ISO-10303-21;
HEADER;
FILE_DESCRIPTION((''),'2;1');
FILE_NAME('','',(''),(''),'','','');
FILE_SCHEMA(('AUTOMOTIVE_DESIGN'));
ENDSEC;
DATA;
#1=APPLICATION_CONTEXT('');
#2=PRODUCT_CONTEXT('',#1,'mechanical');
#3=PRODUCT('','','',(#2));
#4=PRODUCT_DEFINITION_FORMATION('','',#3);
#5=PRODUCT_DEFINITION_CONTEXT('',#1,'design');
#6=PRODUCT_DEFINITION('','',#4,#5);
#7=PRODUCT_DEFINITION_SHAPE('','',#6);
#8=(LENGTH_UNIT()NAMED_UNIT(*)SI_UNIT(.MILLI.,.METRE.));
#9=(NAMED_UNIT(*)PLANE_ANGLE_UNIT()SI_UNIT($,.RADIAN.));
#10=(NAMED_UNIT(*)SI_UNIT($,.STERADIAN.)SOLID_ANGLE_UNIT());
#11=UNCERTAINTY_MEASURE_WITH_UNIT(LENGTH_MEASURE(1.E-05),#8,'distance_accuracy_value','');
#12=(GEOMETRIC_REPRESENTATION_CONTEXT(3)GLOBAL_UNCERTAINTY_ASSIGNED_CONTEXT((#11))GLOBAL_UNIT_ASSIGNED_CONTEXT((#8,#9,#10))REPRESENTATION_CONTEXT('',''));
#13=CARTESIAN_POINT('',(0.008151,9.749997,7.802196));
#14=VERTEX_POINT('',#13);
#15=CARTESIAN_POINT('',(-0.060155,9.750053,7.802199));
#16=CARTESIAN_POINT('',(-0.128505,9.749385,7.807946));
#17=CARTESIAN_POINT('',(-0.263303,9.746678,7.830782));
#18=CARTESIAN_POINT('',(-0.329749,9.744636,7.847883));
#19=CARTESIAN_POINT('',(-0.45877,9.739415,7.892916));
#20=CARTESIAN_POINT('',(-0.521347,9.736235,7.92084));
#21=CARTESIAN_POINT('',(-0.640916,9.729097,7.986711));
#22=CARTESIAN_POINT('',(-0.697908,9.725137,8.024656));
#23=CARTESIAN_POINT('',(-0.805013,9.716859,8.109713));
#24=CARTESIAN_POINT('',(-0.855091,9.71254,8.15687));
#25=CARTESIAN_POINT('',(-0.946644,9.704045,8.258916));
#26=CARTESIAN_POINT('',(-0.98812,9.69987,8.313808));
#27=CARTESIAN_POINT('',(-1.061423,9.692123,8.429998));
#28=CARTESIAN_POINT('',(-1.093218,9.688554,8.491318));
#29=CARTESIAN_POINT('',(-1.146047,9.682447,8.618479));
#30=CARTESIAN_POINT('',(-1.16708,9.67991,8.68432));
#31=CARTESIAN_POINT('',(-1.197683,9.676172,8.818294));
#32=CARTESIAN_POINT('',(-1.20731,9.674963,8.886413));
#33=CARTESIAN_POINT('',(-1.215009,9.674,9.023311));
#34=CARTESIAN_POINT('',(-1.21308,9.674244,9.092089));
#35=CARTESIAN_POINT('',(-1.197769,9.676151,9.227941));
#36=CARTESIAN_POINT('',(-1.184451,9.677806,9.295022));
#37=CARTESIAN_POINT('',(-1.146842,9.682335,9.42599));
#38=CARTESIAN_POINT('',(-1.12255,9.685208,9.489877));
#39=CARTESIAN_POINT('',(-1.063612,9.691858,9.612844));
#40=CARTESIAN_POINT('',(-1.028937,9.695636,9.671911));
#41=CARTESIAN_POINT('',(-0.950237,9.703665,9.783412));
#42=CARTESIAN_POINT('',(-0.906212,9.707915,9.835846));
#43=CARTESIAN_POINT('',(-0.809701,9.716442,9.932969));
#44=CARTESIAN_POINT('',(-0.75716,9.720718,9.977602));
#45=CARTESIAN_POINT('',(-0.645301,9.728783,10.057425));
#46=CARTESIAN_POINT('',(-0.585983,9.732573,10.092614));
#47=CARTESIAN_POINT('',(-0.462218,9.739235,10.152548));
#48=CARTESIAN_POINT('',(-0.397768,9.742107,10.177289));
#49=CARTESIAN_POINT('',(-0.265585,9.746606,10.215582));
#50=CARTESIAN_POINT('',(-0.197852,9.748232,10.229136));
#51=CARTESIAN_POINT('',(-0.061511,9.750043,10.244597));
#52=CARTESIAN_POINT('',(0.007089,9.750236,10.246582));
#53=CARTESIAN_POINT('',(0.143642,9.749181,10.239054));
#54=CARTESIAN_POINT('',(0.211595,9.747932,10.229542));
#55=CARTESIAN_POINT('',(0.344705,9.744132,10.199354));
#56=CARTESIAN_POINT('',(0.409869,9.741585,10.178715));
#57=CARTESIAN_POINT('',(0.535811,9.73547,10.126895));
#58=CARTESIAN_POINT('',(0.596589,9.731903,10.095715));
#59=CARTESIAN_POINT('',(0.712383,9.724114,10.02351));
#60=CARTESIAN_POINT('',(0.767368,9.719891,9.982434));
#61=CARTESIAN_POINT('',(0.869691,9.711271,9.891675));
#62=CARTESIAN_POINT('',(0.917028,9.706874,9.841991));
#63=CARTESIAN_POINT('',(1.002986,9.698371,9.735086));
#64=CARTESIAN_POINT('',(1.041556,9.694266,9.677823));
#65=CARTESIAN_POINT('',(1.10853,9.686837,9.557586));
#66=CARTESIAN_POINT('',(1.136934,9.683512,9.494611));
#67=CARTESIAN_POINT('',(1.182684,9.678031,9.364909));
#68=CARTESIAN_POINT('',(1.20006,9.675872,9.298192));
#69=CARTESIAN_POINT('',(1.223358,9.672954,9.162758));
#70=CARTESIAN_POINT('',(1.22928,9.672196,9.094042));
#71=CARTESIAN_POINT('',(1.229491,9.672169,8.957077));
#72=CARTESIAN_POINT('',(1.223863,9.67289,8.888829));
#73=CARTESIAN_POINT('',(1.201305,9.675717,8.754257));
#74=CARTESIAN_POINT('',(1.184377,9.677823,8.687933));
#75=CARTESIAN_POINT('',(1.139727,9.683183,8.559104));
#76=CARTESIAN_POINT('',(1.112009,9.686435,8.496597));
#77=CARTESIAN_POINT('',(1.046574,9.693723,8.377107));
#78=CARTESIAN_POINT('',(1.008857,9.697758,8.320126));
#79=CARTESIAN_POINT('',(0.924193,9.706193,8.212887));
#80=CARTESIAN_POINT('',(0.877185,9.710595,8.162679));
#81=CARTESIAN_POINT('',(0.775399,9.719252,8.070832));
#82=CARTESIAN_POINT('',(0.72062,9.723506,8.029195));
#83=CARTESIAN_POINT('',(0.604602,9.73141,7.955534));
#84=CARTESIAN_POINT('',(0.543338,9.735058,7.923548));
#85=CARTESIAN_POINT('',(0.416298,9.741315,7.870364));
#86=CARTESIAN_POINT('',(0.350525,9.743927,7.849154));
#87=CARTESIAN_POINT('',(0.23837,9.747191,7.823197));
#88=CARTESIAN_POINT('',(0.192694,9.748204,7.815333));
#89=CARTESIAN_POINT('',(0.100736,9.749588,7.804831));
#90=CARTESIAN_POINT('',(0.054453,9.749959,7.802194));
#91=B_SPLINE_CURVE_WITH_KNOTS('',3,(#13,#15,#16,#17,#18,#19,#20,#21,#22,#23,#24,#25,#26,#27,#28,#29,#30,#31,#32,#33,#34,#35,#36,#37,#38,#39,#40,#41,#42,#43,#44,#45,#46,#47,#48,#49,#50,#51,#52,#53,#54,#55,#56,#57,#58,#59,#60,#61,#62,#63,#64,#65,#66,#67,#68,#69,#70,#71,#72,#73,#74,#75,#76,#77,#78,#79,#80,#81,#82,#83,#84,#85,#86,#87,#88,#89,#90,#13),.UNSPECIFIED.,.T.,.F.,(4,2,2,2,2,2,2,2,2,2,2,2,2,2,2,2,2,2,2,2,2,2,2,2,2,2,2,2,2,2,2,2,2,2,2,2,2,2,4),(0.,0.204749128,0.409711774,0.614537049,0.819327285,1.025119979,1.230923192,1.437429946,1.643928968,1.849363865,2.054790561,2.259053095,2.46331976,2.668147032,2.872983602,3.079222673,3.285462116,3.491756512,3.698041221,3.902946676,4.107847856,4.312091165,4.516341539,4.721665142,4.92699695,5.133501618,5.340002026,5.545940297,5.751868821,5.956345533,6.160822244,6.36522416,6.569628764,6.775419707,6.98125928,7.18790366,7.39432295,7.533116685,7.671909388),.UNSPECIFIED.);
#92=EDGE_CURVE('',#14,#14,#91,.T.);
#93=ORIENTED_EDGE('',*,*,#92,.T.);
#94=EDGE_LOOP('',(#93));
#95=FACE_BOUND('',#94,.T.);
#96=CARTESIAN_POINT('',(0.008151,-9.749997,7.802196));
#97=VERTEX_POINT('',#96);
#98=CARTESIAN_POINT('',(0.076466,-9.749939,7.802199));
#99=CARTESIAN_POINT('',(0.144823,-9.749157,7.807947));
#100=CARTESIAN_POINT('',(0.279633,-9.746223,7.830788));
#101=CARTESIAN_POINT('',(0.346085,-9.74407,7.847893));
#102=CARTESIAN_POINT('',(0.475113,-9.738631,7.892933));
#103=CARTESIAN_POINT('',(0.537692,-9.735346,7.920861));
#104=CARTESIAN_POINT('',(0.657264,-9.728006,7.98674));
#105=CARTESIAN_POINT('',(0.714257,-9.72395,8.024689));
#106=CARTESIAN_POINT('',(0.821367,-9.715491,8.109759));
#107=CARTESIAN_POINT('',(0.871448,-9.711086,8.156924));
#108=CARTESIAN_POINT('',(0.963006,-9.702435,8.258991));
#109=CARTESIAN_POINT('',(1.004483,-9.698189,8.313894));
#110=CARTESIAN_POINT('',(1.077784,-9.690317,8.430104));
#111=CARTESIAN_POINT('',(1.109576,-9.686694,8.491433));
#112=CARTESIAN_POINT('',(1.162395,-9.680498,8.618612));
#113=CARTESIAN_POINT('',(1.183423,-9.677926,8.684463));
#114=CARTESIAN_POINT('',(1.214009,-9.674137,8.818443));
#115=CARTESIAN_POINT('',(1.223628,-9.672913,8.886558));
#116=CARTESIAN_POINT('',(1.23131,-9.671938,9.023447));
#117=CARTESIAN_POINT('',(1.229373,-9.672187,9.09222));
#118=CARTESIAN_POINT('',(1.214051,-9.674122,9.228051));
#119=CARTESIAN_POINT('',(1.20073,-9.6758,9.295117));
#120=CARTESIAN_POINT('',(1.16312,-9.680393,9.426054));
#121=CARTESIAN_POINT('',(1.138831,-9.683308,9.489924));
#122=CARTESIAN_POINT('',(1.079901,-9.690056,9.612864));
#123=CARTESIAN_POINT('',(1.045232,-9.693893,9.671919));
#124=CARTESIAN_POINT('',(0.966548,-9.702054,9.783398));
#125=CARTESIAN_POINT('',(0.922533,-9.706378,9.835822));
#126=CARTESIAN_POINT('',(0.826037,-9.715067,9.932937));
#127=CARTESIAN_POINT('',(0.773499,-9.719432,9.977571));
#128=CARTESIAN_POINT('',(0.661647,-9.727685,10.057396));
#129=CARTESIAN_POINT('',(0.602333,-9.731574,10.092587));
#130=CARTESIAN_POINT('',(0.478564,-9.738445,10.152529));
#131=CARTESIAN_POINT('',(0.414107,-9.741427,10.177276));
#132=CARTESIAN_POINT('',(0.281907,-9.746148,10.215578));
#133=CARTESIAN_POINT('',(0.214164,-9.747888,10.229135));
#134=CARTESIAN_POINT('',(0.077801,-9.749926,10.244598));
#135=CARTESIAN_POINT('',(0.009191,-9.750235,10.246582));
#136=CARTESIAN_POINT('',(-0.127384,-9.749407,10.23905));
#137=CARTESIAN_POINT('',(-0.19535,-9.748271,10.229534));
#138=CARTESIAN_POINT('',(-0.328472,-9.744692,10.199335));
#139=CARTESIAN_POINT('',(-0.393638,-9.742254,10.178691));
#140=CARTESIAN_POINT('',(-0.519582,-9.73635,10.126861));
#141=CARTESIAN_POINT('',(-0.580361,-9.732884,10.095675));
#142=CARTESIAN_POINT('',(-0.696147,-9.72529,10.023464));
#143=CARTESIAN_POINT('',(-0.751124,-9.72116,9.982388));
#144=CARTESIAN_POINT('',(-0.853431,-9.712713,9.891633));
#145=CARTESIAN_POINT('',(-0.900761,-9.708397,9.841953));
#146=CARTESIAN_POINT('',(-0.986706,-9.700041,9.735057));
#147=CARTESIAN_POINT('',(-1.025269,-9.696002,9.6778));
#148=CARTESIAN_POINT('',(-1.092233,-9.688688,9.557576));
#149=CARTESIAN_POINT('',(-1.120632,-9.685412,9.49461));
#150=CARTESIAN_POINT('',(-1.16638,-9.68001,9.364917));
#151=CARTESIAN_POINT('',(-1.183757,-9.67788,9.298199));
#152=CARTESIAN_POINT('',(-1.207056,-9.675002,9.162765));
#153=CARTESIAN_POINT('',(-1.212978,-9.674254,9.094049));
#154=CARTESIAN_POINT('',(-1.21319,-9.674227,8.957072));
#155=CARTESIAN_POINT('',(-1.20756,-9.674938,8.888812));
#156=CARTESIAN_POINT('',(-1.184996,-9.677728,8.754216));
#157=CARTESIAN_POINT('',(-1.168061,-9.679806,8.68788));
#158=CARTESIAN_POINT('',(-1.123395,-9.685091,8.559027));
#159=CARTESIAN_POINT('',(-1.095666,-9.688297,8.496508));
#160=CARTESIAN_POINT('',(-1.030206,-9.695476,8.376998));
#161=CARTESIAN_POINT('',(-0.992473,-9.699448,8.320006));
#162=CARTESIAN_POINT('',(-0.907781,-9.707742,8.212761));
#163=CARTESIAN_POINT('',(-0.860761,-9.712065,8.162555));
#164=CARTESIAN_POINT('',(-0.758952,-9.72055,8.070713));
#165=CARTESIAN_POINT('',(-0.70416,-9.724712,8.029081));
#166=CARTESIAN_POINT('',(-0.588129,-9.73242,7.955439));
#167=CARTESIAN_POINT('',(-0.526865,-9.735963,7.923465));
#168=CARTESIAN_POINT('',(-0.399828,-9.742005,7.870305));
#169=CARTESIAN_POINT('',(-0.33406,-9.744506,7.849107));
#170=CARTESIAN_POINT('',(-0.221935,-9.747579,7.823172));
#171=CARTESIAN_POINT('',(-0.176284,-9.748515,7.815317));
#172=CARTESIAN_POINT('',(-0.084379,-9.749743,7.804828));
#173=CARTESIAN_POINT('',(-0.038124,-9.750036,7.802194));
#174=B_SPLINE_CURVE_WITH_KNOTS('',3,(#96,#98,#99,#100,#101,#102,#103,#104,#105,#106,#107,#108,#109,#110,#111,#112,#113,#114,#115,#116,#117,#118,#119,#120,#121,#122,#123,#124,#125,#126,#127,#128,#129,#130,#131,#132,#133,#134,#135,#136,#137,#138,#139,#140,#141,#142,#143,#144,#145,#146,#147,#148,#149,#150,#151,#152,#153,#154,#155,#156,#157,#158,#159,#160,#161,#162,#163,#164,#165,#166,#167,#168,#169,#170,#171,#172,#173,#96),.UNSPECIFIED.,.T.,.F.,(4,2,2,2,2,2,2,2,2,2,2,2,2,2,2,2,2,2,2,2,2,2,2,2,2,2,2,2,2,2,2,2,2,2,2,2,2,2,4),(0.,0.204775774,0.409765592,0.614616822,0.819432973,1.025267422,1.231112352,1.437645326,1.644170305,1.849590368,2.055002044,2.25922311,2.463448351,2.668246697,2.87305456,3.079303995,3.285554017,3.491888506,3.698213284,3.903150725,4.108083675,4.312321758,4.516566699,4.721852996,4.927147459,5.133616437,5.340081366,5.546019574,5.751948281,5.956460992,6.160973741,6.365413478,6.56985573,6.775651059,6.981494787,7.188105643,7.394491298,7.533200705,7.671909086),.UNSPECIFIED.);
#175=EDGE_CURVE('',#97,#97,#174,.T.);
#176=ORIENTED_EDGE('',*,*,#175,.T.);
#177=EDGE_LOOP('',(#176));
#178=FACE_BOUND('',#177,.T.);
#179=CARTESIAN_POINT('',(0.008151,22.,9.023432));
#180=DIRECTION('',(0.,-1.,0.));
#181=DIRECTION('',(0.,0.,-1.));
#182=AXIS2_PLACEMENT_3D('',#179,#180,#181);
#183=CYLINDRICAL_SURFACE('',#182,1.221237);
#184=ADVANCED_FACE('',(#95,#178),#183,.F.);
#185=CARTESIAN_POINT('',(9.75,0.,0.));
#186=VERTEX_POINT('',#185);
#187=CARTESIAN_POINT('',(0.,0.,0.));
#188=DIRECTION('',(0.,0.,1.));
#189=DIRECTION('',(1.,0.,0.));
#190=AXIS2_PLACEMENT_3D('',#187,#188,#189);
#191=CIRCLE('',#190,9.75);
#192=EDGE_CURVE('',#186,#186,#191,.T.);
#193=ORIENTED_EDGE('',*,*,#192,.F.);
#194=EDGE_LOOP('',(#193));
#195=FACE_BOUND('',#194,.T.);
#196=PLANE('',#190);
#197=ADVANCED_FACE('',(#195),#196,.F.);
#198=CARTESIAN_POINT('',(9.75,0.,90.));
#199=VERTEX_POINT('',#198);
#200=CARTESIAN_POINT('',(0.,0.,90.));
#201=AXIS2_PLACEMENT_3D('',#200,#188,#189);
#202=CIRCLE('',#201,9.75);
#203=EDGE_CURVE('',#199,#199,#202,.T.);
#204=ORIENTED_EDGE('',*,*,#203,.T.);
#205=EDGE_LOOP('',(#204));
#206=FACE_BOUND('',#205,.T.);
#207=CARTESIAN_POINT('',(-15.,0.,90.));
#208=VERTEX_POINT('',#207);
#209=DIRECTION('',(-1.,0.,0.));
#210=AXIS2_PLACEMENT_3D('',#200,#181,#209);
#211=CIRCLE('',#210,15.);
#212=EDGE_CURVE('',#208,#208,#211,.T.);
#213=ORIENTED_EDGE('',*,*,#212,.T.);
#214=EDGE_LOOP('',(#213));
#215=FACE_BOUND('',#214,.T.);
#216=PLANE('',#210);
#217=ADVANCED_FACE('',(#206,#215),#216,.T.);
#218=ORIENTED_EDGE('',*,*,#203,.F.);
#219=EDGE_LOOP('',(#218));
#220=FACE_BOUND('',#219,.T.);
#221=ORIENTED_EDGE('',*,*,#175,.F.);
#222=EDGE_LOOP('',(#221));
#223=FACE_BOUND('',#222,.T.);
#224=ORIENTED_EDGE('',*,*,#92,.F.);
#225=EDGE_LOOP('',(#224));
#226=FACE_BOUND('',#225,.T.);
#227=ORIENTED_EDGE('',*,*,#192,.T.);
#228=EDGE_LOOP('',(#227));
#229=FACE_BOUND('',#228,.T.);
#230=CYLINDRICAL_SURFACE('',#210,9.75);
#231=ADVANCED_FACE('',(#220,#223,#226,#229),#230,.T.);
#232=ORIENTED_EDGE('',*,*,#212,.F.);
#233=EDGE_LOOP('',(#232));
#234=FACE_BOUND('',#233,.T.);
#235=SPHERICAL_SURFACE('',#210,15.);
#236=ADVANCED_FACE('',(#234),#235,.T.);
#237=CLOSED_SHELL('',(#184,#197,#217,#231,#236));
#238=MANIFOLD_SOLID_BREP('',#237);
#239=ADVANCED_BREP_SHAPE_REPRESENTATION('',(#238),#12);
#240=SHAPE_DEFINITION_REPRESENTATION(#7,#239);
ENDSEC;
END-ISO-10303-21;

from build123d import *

# Parameters (mm, degrees)
SKETCH1_R               = 9.75
BOSS_EXTRUDE1_DEPTH     = 90
REVOLVE1_ANGLE          = 180
CUT_EXTRUDE1_DEPTH      = 22
CUT_EXTRUDE1_DEPTH_BACK = 22
SKETCH3_R               = 1.221236648


with BuildPart() as part:
    # Sketch1 → Boss-Extrude1 (new body)
    with BuildSketch(Plane.XY):
        Circle(SKETCH1_R)
    extrude(amount=BOSS_EXTRUDE1_DEPTH)

    # Sketch2 → Revolve1 (revolve)
    with BuildSketch(Plane.XY.offset(90)):
        with BuildLine():
            Line((0, 15), (0, -15))
            ThreePointArc((0, -15), (15, 0), (0, 15))
        make_face()
    revolve(axis=Axis((0, 15, 90), (0, -1, 0)), revolution_arc=REVOLVE1_ANGLE)

    # Sketch3 → Cut-Extrude1 (cut, two sides: drawn at the far end of the back side and taken through both)
    with BuildSketch(Plane(origin=(0, 0, 0), x_dir=(1, 0, 0), z_dir=(0, 1, 0)).offset(-CUT_EXTRUDE1_DEPTH_BACK)):
        with Locations((0.008150648, -9.023432345)):
            Circle(SKETCH3_R)
    extrude(amount=CUT_EXTRUDE1_DEPTH + CUT_EXTRUDE1_DEPTH_BACK, mode=Mode.SUBTRACT)


solid = part.part
